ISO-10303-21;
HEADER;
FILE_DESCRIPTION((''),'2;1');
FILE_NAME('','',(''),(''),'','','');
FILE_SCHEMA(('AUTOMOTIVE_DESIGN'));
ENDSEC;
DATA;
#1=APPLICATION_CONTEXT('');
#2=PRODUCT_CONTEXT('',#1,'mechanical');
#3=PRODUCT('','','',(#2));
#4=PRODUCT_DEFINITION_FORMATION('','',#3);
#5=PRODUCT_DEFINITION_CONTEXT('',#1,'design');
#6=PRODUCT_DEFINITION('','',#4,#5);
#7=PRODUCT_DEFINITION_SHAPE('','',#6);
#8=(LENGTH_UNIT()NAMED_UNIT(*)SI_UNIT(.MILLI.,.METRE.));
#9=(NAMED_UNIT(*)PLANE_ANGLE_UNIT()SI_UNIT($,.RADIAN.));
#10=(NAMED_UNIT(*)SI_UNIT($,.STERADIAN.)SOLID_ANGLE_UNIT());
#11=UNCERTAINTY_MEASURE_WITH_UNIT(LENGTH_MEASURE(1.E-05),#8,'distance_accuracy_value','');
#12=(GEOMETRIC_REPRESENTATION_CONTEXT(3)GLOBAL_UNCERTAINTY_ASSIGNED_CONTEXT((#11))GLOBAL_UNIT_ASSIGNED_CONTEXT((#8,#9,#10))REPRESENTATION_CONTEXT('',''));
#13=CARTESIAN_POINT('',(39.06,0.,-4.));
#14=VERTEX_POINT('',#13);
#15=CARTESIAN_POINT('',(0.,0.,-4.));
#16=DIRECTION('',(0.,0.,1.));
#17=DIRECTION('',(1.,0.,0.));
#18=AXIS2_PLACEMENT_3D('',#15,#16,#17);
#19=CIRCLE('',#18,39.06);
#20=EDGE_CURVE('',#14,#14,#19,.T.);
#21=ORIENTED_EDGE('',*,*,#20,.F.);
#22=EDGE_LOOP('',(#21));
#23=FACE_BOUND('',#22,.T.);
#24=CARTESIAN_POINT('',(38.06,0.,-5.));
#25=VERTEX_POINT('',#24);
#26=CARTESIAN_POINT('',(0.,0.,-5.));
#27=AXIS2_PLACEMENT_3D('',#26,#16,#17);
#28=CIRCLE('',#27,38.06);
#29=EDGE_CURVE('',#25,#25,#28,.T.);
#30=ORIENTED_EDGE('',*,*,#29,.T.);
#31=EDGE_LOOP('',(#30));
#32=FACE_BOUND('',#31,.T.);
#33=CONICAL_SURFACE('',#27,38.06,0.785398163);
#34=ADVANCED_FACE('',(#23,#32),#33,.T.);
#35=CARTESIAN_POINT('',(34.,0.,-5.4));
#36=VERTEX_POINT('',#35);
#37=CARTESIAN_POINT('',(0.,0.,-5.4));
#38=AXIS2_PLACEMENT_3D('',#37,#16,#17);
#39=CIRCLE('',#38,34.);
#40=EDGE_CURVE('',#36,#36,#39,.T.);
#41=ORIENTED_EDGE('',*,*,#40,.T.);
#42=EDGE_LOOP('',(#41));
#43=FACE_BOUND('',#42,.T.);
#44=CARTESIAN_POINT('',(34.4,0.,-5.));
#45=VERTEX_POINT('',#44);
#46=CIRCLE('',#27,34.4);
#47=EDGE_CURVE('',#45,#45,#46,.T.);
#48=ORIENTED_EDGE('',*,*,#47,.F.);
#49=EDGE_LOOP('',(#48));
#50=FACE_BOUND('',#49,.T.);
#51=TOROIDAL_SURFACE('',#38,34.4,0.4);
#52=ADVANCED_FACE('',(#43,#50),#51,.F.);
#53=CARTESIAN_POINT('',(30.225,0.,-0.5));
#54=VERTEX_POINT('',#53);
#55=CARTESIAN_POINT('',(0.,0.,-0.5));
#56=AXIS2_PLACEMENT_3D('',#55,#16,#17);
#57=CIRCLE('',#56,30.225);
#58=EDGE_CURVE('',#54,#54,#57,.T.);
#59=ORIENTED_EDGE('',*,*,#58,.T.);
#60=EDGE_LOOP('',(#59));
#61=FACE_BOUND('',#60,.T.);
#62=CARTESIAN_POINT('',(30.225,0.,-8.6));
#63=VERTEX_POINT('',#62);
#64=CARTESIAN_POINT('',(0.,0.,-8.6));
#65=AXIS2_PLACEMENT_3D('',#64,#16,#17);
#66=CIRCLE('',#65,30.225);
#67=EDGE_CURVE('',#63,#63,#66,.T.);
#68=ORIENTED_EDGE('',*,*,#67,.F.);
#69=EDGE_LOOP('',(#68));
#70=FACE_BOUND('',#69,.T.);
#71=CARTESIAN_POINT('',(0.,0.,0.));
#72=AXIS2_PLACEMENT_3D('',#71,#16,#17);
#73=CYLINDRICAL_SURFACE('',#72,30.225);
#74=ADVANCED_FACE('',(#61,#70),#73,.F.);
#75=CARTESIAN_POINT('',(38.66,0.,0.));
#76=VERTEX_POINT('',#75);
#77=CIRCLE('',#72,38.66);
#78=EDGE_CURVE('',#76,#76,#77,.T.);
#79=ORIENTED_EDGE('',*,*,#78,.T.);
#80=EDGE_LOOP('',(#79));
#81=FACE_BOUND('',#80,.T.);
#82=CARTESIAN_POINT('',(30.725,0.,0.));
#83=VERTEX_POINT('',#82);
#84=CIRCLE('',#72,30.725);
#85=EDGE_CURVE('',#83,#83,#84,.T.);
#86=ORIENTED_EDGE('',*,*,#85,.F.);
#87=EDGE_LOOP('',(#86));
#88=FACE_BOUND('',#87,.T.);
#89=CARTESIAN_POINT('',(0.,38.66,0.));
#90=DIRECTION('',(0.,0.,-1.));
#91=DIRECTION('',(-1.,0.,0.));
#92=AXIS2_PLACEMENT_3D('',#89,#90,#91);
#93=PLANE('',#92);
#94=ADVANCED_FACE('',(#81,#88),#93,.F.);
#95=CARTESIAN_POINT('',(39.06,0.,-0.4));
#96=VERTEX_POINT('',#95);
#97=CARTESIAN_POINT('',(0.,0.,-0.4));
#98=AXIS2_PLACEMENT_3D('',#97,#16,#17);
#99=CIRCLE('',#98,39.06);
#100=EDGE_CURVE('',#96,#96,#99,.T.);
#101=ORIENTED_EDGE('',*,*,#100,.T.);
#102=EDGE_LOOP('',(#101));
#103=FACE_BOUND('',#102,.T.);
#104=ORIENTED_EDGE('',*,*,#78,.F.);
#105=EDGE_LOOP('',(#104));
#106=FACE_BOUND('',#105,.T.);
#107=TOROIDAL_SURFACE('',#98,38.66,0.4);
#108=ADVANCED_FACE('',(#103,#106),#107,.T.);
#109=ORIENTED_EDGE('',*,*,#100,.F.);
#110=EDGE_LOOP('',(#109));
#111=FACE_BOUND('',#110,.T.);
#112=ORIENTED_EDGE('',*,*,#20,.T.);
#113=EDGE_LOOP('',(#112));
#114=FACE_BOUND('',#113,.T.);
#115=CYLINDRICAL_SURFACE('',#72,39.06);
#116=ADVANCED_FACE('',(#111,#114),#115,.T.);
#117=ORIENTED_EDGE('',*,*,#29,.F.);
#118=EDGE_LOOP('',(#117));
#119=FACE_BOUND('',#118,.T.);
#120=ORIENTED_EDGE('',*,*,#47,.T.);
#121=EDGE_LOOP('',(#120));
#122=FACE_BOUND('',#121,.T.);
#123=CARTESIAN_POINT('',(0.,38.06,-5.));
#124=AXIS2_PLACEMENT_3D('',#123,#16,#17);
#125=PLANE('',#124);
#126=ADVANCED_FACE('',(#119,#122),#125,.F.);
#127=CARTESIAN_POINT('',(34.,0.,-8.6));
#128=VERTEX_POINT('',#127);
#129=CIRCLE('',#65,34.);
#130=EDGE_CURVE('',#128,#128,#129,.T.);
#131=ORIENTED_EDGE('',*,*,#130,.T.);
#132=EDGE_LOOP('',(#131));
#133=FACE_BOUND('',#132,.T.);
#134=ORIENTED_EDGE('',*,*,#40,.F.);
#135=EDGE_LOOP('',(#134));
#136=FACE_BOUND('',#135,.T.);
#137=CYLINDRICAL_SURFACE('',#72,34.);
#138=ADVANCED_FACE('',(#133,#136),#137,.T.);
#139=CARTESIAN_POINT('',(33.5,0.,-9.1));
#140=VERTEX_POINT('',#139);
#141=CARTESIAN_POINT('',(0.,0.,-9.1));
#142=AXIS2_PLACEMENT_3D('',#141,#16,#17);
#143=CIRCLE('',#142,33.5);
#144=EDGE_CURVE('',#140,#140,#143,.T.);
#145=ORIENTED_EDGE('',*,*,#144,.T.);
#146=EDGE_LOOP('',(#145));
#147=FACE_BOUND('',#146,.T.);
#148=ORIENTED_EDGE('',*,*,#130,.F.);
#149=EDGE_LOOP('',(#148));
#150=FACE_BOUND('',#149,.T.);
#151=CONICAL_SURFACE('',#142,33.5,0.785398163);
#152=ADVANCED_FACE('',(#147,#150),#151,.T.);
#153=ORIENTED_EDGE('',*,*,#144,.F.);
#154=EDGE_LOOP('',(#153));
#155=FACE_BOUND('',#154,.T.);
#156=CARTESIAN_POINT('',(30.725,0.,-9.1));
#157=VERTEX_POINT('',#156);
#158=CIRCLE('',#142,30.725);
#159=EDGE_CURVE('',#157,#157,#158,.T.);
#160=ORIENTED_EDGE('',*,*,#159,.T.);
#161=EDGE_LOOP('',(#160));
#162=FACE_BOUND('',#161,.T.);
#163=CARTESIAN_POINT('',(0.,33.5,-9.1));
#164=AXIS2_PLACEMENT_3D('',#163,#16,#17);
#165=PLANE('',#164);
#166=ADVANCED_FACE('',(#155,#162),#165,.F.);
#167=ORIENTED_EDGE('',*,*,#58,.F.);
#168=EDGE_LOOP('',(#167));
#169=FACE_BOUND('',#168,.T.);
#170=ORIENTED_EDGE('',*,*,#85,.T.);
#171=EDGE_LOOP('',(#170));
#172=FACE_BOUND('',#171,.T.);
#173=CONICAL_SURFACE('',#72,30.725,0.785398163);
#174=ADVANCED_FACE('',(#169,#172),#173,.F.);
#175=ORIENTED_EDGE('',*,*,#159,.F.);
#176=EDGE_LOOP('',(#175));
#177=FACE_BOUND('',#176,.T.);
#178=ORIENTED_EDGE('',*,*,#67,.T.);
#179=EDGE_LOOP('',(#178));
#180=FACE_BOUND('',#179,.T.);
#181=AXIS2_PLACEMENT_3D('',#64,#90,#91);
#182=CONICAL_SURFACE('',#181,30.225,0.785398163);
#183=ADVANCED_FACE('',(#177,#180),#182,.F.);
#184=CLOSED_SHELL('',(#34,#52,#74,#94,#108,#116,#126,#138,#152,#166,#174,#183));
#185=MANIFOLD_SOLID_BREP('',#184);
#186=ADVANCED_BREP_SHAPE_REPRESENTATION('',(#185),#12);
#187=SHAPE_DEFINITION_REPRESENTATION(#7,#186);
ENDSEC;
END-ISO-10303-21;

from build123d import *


with BuildPart() as part:
    # Sketch1 → Revolve1 (revolve)
    with BuildSketch(Plane(origin=(0, 0, 0), x_dir=(0, 0, -1), z_dir=(1, 0, 0)), mode=Mode.PRIVATE) as revolve1_sk:
        with BuildLine():
            Line((0, 30.725), (0.5, 30.225))
            Line((0.5, 30.225), (8.6, 30.225))
            Line((8.6, 30.225), (9.1, 30.725))
            Line((9.1, 30.725), (9.1, 33.5))
            Line((9.1, 33.5), (8.6, 34))
            Line((8.6, 34), (5.4, 34))
            ThreePointArc((5.4, 34), (5.117157288, 34.117157288), (5, 34.4))
            Line((5, 34.4), (5, 38.06))
            Line((5, 38.06), (4, 39.06))
            Line((4, 39.06), (0.4, 39.06))
            ThreePointArc((0.4, 39.06), (0.117157288, 38.942842712), (0, 38.66))
            Line((0, 38.66), (0, 30.725))
        make_face()
    revolve(revolve1_sk.sketch.rotate(Axis((0, 0, 0), (0, 0, -1)), 90), axis=Axis((0, 0, 0), (0, 0, -1)))


solid = part.part
